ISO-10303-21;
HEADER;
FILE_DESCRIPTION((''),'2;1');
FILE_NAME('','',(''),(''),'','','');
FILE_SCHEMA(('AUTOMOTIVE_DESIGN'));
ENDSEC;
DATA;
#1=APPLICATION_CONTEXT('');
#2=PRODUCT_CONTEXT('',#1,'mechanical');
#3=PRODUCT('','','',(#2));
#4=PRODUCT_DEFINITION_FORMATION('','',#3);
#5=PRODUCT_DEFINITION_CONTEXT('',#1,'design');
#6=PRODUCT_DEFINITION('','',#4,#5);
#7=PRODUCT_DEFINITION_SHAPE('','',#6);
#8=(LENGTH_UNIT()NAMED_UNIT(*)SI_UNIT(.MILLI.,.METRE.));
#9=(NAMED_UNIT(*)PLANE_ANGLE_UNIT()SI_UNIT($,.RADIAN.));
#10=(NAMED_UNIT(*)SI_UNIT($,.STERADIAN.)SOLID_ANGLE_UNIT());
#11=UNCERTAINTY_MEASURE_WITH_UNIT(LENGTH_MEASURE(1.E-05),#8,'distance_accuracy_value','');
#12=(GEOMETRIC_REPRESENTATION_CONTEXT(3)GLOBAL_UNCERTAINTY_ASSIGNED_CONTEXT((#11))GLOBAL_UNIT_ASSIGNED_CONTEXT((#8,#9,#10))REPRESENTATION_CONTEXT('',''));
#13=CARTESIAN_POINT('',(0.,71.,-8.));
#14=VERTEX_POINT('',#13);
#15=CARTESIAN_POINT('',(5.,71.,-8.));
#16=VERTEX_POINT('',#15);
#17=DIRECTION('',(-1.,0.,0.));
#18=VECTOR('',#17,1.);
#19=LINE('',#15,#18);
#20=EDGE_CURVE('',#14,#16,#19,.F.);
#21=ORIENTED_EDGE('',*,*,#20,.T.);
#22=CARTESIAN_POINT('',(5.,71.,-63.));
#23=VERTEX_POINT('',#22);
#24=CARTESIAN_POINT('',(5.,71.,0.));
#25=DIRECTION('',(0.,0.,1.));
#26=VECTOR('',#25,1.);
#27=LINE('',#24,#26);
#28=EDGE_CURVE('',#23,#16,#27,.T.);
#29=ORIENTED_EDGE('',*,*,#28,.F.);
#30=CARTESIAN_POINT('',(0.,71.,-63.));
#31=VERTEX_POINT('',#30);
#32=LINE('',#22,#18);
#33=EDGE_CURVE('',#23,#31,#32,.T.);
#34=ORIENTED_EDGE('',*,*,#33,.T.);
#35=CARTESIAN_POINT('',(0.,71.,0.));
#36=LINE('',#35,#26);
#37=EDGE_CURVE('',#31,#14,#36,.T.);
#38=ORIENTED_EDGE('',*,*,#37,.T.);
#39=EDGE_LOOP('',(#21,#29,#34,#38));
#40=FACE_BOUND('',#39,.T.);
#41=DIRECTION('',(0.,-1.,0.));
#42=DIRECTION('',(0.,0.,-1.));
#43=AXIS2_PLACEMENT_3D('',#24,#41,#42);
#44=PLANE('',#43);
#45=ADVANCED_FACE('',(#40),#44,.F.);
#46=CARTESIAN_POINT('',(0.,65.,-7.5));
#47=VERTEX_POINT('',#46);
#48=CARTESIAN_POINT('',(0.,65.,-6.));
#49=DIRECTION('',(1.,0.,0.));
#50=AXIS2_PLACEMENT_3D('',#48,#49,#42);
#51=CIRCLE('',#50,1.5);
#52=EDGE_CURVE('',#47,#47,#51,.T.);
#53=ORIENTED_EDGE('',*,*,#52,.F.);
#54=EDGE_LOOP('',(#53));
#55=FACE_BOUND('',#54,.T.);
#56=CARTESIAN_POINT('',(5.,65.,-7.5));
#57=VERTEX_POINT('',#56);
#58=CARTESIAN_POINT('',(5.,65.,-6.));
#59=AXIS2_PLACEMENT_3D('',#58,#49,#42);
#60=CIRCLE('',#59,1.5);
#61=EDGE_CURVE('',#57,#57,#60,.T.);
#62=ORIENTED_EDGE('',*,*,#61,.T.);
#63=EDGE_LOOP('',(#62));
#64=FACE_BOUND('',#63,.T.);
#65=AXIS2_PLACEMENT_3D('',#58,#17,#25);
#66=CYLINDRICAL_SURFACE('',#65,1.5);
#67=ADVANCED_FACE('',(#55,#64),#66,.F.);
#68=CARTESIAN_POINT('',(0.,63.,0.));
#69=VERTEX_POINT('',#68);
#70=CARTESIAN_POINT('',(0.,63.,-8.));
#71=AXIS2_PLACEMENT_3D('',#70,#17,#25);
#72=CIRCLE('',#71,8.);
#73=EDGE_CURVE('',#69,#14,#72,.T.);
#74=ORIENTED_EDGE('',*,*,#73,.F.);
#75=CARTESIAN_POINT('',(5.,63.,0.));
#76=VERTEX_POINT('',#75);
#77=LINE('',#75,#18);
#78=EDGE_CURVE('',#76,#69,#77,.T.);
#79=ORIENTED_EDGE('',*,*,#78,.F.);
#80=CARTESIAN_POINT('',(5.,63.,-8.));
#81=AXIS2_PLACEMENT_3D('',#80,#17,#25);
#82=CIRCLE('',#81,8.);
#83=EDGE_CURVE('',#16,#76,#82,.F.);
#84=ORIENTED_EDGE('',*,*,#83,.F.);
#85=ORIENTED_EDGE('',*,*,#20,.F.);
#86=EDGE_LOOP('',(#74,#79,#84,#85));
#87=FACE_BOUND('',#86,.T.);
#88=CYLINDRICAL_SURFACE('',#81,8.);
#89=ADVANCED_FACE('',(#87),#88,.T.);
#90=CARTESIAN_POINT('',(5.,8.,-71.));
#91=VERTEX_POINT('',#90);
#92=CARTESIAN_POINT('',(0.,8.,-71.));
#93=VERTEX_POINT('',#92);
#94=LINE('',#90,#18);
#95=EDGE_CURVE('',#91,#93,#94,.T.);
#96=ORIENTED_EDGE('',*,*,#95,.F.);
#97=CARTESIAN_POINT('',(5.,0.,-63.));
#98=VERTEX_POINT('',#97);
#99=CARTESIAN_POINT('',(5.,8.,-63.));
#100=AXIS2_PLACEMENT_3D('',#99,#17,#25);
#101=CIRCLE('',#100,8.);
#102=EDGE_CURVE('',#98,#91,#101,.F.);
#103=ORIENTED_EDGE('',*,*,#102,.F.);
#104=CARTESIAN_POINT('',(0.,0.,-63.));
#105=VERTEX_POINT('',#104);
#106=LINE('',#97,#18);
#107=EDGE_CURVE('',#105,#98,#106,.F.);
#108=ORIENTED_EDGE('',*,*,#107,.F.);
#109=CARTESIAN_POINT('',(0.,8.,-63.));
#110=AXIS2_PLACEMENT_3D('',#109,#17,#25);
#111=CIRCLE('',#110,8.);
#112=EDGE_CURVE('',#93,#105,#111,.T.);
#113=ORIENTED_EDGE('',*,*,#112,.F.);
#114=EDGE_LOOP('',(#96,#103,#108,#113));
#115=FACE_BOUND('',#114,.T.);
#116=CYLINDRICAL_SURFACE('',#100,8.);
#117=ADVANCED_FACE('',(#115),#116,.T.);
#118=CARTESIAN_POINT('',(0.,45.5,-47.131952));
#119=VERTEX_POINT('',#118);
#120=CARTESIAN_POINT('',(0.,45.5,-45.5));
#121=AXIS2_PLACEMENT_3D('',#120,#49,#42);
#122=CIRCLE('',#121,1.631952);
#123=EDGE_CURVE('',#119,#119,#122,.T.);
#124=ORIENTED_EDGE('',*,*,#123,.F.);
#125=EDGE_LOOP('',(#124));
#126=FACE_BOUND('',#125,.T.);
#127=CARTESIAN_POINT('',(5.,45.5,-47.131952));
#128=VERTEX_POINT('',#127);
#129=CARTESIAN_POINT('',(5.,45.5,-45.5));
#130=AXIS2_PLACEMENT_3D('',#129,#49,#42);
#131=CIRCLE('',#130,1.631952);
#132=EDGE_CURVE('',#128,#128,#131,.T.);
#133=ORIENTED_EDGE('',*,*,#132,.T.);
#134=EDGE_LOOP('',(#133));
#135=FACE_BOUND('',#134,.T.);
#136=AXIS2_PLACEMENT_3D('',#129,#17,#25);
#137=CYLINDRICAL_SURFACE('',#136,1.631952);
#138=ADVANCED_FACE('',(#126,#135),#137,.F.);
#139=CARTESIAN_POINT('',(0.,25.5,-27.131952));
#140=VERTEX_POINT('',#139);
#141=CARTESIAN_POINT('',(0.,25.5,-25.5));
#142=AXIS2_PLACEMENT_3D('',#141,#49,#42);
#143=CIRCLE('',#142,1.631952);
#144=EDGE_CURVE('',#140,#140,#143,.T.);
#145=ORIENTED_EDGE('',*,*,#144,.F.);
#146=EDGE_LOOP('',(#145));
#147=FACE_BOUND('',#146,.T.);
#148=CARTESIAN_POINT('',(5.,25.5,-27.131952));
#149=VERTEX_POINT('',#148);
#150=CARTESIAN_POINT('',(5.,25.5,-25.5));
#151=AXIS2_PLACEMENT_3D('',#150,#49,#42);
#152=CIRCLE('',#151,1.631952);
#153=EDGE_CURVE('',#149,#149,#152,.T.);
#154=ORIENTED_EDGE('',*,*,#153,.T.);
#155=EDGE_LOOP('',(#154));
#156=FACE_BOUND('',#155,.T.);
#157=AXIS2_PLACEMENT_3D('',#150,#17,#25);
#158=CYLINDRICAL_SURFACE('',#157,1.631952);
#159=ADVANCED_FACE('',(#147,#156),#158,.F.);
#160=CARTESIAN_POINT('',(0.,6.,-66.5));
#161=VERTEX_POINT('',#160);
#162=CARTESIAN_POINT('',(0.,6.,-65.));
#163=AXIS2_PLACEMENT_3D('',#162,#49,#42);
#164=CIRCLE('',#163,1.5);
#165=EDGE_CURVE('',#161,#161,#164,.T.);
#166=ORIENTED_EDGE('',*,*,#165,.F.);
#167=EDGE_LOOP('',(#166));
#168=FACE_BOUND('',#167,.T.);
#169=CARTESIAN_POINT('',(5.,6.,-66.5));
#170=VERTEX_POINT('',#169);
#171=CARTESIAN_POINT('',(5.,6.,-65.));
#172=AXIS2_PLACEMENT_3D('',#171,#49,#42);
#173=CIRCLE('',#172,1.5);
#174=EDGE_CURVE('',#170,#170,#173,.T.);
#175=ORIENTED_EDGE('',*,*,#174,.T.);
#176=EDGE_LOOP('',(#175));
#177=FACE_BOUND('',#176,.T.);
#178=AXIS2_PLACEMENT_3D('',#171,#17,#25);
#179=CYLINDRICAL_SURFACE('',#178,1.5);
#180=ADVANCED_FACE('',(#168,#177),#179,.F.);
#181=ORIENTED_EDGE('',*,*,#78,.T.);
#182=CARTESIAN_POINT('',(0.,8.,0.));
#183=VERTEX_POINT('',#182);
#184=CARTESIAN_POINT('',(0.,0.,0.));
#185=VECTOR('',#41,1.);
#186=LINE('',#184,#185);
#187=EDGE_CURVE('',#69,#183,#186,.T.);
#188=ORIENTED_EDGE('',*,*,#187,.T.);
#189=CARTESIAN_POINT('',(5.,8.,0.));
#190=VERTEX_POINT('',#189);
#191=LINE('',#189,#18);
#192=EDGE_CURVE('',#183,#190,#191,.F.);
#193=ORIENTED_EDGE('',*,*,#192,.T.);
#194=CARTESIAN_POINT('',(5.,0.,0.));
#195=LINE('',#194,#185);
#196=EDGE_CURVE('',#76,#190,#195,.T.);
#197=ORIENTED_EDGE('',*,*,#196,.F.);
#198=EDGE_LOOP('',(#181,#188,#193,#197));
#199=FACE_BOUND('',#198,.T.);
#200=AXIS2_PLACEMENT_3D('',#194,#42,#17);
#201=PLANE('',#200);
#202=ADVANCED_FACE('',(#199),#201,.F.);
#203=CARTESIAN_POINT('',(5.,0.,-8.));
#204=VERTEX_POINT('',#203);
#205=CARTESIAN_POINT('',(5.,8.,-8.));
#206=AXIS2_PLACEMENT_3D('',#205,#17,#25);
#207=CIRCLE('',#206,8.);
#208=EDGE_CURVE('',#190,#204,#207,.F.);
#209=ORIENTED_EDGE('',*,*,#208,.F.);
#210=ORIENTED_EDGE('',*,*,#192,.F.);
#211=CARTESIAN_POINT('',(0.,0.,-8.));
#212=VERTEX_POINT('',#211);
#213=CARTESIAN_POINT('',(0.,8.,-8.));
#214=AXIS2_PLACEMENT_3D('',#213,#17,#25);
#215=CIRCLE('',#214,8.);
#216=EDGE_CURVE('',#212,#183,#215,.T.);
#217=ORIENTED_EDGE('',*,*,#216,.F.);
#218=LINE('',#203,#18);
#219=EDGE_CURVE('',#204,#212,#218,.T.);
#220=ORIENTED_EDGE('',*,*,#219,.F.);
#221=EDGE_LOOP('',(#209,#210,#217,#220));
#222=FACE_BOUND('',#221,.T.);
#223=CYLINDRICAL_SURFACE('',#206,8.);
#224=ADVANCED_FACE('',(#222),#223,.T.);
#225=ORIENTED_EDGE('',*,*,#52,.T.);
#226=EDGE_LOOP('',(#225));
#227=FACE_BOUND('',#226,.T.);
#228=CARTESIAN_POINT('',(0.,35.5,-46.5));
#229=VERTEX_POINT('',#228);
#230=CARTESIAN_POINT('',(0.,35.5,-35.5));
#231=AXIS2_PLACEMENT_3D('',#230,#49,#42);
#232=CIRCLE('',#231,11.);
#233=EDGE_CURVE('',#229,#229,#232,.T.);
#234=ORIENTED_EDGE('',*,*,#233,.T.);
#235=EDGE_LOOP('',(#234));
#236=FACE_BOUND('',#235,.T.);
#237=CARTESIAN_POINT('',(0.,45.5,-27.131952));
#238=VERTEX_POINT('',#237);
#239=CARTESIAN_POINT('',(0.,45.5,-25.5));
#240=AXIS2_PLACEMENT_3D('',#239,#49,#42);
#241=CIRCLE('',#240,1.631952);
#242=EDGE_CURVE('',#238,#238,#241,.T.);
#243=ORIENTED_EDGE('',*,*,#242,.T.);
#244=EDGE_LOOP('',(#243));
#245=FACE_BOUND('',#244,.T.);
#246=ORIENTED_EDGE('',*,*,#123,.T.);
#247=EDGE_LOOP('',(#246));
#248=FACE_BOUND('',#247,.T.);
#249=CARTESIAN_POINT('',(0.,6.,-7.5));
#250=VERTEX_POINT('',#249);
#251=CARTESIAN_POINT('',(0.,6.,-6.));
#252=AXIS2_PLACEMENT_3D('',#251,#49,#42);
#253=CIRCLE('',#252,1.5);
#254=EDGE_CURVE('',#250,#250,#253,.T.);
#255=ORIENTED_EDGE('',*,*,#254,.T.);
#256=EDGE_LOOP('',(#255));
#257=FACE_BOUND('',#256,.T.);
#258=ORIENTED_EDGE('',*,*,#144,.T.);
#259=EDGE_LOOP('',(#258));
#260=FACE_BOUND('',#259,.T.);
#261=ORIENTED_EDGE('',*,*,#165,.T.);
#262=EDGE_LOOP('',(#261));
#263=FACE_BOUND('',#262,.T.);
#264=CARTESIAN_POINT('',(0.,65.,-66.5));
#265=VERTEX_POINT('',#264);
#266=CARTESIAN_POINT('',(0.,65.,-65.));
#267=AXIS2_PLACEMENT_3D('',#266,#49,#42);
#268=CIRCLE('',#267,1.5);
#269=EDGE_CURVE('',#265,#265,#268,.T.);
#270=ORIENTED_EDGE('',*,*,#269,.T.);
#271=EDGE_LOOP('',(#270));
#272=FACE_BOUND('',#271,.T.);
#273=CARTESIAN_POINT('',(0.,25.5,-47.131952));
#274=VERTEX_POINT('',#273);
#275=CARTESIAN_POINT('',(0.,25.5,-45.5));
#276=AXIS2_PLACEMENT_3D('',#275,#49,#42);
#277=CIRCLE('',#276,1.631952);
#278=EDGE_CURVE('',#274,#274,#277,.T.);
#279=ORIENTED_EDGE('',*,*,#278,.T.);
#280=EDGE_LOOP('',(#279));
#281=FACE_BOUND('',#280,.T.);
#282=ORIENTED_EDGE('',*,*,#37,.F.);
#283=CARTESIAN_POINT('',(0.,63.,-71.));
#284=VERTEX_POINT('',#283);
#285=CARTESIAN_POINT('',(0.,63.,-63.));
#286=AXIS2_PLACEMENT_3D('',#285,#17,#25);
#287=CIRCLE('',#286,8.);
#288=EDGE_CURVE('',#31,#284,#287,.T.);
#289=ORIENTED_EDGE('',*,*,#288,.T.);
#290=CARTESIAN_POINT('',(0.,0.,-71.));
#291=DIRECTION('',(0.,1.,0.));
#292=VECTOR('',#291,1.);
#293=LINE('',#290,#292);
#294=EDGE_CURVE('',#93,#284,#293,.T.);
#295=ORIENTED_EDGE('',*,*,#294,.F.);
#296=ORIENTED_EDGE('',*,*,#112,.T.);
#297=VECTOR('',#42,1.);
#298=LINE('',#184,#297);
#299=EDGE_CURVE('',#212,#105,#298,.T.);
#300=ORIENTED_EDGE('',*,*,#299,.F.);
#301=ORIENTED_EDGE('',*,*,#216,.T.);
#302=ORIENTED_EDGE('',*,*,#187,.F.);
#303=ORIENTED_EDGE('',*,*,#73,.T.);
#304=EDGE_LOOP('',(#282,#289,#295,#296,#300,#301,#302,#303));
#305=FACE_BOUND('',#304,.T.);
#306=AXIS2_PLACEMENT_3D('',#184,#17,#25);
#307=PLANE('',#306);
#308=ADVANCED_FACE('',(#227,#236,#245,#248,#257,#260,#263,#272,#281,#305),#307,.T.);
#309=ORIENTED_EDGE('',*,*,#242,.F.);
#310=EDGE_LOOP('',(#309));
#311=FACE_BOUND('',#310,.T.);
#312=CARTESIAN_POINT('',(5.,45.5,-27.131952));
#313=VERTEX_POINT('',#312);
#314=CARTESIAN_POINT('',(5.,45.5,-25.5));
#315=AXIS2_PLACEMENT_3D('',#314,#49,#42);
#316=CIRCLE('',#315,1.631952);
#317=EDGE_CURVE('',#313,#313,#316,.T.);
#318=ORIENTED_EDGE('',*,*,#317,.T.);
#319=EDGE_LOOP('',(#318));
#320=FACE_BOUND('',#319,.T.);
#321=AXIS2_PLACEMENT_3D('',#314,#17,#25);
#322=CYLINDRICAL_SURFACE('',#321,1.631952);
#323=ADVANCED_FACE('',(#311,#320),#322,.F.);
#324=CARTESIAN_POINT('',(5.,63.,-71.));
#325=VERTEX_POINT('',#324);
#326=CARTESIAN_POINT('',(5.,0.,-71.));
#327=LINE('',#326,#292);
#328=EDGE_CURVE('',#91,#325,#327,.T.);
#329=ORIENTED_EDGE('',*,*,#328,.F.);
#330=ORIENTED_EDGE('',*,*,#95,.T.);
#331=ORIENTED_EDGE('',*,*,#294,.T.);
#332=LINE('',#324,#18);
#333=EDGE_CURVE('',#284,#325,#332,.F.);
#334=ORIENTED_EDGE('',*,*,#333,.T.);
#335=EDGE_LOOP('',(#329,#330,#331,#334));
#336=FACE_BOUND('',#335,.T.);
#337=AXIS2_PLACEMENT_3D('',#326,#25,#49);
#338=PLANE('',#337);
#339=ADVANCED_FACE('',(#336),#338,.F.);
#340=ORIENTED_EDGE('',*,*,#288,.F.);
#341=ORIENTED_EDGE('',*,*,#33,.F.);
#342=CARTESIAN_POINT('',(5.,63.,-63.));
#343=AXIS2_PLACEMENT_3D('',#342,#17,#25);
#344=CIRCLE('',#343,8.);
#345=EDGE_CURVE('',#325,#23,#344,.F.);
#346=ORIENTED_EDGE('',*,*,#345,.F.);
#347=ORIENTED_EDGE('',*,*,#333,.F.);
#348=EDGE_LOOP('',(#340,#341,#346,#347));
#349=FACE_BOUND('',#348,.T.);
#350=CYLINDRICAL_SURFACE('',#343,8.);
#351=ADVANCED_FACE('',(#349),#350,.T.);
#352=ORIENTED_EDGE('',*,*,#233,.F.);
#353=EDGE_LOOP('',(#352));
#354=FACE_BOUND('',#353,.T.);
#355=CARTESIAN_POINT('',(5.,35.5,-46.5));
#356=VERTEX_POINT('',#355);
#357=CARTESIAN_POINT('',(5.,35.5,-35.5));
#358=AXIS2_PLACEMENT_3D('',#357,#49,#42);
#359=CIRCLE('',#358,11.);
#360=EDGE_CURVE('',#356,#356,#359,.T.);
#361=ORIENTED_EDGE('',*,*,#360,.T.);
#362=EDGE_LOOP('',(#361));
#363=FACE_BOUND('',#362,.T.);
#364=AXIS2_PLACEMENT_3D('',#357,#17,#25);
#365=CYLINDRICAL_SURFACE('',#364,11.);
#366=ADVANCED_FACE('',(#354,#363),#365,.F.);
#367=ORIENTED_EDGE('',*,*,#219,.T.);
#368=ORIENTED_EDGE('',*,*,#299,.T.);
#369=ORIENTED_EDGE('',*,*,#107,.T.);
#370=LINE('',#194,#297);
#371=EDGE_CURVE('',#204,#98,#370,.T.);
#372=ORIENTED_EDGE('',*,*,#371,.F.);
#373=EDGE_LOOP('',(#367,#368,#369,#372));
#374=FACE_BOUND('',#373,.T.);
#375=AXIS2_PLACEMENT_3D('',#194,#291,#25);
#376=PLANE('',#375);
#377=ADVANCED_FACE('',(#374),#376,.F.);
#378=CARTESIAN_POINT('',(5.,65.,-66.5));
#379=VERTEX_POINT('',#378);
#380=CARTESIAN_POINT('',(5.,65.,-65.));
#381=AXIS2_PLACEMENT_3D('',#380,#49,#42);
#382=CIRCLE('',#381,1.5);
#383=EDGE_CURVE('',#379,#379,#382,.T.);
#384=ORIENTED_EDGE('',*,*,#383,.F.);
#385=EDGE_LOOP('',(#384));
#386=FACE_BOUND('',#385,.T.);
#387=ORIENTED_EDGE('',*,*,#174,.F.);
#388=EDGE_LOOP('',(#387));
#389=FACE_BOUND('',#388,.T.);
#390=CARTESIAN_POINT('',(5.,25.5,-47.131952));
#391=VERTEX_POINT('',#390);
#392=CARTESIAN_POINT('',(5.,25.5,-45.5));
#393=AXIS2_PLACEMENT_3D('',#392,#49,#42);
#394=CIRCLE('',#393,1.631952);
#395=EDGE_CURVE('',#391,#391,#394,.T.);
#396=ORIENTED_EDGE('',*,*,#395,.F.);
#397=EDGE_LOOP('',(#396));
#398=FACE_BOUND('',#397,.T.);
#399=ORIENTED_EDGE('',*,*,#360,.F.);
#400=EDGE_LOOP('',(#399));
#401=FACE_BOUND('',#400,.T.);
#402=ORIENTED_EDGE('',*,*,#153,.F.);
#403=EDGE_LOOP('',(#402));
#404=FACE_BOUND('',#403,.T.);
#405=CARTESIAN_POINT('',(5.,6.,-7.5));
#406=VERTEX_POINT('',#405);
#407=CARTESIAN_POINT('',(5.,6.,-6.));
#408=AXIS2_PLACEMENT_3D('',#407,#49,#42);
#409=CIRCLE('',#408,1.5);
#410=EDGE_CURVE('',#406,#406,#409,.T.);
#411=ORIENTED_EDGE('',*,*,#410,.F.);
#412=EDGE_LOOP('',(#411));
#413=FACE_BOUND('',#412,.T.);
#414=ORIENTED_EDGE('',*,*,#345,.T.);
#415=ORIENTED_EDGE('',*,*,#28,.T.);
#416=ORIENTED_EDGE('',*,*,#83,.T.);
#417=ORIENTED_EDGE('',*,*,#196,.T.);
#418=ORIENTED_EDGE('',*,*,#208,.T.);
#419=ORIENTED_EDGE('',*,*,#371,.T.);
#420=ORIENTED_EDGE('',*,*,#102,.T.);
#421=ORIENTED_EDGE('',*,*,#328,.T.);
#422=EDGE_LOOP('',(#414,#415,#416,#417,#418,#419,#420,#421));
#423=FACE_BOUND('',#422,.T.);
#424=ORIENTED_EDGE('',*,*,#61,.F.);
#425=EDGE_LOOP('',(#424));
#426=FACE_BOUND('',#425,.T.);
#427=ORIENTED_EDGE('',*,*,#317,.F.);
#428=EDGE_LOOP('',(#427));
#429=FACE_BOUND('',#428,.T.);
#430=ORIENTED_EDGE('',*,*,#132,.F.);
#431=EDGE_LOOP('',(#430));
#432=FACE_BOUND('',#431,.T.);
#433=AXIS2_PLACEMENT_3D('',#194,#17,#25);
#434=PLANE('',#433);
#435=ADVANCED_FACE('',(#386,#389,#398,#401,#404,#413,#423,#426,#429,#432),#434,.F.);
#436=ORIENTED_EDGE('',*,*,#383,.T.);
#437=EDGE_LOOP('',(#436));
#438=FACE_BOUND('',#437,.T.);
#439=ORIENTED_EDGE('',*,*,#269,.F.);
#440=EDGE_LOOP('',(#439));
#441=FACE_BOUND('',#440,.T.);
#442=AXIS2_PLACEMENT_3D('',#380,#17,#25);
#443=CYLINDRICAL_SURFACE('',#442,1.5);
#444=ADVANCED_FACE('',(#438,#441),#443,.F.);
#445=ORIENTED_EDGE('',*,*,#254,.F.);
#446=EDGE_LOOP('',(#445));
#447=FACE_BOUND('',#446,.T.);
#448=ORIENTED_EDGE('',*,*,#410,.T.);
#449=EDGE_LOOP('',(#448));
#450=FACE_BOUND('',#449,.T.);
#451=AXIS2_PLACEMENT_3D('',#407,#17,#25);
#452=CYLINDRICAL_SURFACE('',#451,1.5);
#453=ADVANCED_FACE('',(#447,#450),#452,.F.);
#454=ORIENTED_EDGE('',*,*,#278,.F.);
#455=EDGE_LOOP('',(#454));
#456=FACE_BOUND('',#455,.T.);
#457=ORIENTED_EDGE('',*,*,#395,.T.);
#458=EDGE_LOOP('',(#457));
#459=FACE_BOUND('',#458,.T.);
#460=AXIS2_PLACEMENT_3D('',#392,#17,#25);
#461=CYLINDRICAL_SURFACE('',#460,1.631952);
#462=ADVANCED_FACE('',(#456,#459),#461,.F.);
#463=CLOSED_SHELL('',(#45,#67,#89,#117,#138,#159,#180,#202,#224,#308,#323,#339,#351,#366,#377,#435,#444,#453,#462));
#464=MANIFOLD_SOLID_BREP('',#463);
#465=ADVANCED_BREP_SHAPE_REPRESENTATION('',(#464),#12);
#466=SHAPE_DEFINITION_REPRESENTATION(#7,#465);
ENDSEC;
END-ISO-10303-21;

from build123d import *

# Parameters (mm, degrees)
SKETCH1_W           = 71
SKETCH1_H           = 71
SKETCH1_R           = 1.5
SKETCH1_R_2         = 11
SKETCH1_R_3         = 1.631951877
BOSS_EXTRUDE1_DEPTH = 5
FILLET1_R           = 8


with BuildPart() as part:
    # Sketch1 → Boss-Extrude1 (new body)
    with BuildSketch(Plane(origin=(0, 0, 0), x_dir=(0, 0, -1), z_dir=(1, 0, 0))):
        with Locations((35.5, 35.5)):
            Rectangle(SKETCH1_W, SKETCH1_H)
        with Locations((6, 6)):
            Circle(SKETCH1_R, mode=Mode.SUBTRACT)
        with Locations((6, 65)):
            Circle(SKETCH1_R, mode=Mode.SUBTRACT)
        with Locations((65, 65)):
            Circle(SKETCH1_R, mode=Mode.SUBTRACT)
        with Locations((65, 6)):
            Circle(SKETCH1_R, mode=Mode.SUBTRACT)
        with Locations((35.5, 35.5)):
            Circle(SKETCH1_R_2, mode=Mode.SUBTRACT)
        with Locations((25.5, 45.5)):
            Circle(SKETCH1_R_3, mode=Mode.SUBTRACT)
        with Locations((45.5, 45.5)):
            Circle(SKETCH1_R_3, mode=Mode.SUBTRACT)
        with Locations((25.5, 25.5)):
            Circle(SKETCH1_R_3, mode=Mode.SUBTRACT)
        with Locations((45.5, 25.5)):
            Circle(SKETCH1_R_3, mode=Mode.SUBTRACT)
    extrude(amount=BOSS_EXTRUDE1_DEPTH)

    # Fillet1
    fillet1_edges = [part.edges().sort_by_distance(p)[0] for p in [
        (2.5, 71, 0),
        (2.5, 71, -71),
        (2.5, 0, -71),
        (2.5, 0, 0),
    ]]
    fillet(fillet1_edges, radius=FILLET1_R)


solid = part.part
